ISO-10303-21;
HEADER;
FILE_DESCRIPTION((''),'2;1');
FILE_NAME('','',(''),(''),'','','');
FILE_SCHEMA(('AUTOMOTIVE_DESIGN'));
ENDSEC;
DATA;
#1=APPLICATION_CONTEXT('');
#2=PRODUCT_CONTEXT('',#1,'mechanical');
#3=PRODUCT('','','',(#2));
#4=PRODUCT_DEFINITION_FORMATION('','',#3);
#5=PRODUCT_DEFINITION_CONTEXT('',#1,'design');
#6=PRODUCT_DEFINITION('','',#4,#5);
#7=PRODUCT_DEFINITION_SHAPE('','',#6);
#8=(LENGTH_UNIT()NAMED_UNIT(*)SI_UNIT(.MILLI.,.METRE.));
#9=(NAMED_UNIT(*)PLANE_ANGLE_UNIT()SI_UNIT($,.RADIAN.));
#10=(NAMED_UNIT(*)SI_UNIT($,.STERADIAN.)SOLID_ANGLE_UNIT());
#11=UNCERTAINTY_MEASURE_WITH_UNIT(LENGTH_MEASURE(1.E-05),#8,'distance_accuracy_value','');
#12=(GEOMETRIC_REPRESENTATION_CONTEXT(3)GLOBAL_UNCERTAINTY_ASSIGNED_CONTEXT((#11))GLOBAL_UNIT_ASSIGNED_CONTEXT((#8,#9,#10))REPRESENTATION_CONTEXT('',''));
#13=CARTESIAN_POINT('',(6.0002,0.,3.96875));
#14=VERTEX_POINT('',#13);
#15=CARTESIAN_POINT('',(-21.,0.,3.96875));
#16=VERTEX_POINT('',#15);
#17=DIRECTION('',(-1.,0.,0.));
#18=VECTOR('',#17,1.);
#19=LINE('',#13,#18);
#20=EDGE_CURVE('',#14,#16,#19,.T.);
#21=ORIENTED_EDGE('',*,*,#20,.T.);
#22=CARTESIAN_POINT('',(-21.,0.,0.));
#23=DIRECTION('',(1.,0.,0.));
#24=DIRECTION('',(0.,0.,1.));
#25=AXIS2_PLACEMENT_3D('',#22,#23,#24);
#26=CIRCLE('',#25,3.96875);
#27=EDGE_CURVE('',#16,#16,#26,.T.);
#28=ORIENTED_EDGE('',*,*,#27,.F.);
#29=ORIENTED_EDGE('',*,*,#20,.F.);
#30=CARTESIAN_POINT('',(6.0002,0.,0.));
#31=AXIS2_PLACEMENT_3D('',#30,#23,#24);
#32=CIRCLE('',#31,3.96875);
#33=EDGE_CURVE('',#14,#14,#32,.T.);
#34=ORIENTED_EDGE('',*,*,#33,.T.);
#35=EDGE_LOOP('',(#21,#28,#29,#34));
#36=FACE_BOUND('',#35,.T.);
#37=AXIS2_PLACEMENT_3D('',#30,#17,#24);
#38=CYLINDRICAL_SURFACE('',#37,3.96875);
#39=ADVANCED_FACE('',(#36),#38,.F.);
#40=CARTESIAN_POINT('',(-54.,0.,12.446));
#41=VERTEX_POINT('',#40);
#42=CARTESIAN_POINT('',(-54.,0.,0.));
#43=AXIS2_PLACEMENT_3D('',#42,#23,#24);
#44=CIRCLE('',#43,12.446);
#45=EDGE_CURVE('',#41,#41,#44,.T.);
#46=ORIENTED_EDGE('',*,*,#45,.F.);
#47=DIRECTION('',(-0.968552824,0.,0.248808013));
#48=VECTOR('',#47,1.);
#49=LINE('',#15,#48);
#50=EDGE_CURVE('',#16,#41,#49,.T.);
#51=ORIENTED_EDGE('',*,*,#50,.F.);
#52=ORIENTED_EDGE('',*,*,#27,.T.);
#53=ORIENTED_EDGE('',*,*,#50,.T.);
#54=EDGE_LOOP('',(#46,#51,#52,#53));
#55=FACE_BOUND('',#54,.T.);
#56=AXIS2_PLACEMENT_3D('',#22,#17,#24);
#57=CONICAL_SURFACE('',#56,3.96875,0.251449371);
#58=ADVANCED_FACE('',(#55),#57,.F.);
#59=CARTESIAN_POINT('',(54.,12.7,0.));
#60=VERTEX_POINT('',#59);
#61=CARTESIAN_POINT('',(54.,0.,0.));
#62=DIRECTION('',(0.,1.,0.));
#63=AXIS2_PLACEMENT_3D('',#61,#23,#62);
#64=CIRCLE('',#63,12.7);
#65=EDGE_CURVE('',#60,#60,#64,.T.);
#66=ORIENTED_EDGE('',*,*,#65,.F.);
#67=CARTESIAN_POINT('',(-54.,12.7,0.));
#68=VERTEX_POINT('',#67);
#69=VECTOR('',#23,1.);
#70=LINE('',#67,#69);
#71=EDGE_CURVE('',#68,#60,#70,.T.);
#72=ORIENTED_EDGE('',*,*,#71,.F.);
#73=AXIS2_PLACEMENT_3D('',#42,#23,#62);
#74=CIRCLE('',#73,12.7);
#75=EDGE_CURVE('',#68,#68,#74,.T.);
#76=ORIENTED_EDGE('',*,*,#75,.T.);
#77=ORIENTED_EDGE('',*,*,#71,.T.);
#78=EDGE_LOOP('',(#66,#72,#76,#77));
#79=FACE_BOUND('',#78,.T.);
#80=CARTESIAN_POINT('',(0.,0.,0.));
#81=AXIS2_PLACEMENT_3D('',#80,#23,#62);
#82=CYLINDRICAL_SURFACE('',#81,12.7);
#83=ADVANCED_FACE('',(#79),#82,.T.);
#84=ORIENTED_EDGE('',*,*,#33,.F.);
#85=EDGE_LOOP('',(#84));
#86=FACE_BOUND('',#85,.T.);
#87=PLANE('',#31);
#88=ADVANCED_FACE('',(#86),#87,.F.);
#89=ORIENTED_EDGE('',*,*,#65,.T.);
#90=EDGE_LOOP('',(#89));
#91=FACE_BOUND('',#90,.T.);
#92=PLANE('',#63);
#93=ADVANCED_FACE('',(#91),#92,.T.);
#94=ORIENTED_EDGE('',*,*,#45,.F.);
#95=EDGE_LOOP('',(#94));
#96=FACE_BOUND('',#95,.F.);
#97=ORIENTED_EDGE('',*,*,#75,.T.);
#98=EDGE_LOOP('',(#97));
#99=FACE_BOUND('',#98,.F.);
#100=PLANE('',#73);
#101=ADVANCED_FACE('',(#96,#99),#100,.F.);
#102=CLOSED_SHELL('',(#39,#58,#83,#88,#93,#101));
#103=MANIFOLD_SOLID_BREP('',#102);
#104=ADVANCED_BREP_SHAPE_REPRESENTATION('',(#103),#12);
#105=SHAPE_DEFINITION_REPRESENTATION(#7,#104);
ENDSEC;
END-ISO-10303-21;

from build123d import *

# Parameters (mm, degrees)
F1_R     = 12.7
F2_DEPTH = 54


with BuildPart() as f2:
    # F1 (on Right) → F2 (new body, symmetric)
    with BuildSketch(Plane.YZ):
        Circle(F1_R)
    extrude(amount=F2_DEPTH, both=True)

    # F0 (on Front) → F3 (revolve, cut)
    with BuildSketch(Plane.XZ):
        Polygon((-54, 0), (0, 0), (6.0002, 0), (6.0002, 3.96875), (-21, 3.96875), (-54, 12.446), align=None)
    revolve(axis=Axis((-27, 0, 0), (1, 0, 0)), mode=Mode.SUBTRACT)


solid = f2.part
